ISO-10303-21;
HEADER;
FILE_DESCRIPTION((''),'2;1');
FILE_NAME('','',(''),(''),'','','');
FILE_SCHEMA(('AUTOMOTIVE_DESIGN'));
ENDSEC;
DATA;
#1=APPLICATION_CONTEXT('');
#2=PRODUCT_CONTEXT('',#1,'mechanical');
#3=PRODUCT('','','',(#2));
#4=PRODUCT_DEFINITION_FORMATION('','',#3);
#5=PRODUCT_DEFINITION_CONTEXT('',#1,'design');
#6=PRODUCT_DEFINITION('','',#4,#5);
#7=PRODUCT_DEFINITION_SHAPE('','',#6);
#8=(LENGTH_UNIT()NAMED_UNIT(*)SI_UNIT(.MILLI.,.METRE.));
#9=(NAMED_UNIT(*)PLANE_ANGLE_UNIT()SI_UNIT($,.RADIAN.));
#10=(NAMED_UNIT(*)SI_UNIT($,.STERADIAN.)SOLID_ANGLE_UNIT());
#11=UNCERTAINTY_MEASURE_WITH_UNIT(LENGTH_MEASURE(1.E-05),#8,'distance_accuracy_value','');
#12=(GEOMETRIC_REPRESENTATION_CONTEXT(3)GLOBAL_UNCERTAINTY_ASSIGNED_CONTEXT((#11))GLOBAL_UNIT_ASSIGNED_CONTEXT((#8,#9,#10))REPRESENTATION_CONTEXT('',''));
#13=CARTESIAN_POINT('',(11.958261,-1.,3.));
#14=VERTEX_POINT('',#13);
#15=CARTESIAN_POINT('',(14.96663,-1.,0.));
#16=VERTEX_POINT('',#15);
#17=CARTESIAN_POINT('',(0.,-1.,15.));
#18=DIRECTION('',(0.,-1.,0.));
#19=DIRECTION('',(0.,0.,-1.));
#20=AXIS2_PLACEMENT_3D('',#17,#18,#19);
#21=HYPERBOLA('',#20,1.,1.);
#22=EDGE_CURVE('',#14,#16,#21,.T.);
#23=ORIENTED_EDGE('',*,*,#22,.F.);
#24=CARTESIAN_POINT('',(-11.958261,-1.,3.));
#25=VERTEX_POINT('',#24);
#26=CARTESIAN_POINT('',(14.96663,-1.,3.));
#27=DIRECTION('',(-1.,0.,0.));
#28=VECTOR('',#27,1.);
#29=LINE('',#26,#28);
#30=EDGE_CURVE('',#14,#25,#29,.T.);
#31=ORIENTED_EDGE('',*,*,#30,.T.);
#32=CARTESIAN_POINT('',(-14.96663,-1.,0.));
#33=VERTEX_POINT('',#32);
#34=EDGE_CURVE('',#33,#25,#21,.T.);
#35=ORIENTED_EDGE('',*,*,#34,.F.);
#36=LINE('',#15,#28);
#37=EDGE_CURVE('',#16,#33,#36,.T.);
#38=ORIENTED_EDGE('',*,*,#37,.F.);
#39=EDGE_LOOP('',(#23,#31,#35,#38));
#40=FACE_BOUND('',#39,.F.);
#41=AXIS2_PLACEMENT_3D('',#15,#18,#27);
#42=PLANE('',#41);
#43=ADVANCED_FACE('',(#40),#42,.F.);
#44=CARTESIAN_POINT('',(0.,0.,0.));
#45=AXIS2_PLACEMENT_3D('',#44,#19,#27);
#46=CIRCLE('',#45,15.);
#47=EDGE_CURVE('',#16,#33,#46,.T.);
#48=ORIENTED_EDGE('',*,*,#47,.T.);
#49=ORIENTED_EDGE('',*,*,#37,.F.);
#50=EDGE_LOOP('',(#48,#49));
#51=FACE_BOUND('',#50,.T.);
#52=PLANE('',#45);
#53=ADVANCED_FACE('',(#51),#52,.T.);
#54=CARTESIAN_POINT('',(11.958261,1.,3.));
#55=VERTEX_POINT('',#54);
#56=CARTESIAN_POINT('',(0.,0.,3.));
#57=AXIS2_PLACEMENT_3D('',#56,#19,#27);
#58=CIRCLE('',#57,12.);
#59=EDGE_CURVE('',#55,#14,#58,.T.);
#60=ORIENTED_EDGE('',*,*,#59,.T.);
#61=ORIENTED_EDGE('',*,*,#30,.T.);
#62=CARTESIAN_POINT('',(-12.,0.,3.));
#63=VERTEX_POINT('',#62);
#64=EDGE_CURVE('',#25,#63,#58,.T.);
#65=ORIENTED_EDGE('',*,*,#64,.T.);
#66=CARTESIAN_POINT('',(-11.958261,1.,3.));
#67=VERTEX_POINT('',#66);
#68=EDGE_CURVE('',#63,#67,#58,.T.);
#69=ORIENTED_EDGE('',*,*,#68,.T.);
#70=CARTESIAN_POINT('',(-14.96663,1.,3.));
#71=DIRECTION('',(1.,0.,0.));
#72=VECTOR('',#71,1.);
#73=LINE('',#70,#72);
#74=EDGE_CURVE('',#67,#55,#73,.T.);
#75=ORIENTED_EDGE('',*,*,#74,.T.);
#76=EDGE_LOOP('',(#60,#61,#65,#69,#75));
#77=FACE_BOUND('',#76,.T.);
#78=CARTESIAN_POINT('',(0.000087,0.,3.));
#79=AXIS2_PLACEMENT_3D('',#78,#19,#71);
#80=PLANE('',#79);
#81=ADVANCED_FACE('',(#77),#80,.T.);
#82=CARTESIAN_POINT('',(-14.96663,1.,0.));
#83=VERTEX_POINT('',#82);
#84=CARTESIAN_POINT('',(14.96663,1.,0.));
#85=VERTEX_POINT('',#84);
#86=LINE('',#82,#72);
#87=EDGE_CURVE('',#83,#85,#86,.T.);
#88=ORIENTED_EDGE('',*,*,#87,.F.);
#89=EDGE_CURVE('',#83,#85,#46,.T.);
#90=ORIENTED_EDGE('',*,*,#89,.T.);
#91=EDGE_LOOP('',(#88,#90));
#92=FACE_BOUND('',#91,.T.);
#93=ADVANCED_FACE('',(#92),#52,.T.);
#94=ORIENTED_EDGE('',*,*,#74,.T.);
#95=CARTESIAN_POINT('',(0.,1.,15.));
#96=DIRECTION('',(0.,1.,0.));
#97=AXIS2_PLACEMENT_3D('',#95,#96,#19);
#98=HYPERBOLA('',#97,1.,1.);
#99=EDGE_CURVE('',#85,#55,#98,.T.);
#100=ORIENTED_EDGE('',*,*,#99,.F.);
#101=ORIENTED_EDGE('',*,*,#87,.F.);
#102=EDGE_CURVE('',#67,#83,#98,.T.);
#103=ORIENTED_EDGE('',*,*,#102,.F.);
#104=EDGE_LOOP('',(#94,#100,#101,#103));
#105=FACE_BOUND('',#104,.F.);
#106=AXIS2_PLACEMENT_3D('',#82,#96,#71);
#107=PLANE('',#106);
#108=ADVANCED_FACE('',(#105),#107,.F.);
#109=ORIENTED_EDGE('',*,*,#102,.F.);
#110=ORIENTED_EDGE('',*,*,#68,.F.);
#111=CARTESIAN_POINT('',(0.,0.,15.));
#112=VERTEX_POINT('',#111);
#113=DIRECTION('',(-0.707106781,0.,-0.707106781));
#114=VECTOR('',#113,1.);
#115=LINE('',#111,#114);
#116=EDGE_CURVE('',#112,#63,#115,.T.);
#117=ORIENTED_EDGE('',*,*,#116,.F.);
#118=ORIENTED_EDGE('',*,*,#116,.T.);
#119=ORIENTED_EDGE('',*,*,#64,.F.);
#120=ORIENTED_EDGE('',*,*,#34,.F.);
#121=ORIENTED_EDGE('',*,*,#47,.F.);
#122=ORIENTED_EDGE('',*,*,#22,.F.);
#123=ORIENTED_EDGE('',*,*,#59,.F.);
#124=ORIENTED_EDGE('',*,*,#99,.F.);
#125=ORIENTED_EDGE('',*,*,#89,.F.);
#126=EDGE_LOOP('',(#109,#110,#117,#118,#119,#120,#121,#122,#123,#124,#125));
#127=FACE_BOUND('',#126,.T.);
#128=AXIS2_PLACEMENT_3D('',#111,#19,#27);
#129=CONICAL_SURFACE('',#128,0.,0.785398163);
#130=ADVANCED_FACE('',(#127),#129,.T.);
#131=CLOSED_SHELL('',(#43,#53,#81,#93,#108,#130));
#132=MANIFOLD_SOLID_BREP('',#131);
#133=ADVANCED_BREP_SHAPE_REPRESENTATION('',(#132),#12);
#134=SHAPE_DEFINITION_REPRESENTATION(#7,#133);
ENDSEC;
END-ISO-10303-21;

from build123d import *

# Parameters (mm, degrees)
F3_DEPTH = 3


with BuildPart() as f1:
    # F0 (on Front) → F1 (revolve)
    with BuildSketch(Plane.XZ):
        Polygon((-15, 0), (0, 0), (0, 15), align=None)
    revolve(axis=Axis((0, 0, 7.5), (0, 0, -1)))

    # F2 (on face) → F3 (cut)
    with BuildSketch(Plane(origin=(0, 0, 0), x_dir=(1, 0, 0), z_dir=(0, 0, -1))):
        with BuildLine():
            Line((14.96663, 1), (-14.96663, 1))
            ThreePointArc((-14.96663, 1), (-15, 0), (-14.96663, -1))
            Line((-14.96663, -1), (14.96663, -1))
            ThreePointArc((14.96663, -1), (14.991655, -0.500278), (15, 0))
            ThreePointArc((15, 0), (14.991655, 0.500278), (14.96663, 1))
        make_face()
    extrude(amount=-F3_DEPTH, mode=Mode.SUBTRACT)


solid = f1.part
